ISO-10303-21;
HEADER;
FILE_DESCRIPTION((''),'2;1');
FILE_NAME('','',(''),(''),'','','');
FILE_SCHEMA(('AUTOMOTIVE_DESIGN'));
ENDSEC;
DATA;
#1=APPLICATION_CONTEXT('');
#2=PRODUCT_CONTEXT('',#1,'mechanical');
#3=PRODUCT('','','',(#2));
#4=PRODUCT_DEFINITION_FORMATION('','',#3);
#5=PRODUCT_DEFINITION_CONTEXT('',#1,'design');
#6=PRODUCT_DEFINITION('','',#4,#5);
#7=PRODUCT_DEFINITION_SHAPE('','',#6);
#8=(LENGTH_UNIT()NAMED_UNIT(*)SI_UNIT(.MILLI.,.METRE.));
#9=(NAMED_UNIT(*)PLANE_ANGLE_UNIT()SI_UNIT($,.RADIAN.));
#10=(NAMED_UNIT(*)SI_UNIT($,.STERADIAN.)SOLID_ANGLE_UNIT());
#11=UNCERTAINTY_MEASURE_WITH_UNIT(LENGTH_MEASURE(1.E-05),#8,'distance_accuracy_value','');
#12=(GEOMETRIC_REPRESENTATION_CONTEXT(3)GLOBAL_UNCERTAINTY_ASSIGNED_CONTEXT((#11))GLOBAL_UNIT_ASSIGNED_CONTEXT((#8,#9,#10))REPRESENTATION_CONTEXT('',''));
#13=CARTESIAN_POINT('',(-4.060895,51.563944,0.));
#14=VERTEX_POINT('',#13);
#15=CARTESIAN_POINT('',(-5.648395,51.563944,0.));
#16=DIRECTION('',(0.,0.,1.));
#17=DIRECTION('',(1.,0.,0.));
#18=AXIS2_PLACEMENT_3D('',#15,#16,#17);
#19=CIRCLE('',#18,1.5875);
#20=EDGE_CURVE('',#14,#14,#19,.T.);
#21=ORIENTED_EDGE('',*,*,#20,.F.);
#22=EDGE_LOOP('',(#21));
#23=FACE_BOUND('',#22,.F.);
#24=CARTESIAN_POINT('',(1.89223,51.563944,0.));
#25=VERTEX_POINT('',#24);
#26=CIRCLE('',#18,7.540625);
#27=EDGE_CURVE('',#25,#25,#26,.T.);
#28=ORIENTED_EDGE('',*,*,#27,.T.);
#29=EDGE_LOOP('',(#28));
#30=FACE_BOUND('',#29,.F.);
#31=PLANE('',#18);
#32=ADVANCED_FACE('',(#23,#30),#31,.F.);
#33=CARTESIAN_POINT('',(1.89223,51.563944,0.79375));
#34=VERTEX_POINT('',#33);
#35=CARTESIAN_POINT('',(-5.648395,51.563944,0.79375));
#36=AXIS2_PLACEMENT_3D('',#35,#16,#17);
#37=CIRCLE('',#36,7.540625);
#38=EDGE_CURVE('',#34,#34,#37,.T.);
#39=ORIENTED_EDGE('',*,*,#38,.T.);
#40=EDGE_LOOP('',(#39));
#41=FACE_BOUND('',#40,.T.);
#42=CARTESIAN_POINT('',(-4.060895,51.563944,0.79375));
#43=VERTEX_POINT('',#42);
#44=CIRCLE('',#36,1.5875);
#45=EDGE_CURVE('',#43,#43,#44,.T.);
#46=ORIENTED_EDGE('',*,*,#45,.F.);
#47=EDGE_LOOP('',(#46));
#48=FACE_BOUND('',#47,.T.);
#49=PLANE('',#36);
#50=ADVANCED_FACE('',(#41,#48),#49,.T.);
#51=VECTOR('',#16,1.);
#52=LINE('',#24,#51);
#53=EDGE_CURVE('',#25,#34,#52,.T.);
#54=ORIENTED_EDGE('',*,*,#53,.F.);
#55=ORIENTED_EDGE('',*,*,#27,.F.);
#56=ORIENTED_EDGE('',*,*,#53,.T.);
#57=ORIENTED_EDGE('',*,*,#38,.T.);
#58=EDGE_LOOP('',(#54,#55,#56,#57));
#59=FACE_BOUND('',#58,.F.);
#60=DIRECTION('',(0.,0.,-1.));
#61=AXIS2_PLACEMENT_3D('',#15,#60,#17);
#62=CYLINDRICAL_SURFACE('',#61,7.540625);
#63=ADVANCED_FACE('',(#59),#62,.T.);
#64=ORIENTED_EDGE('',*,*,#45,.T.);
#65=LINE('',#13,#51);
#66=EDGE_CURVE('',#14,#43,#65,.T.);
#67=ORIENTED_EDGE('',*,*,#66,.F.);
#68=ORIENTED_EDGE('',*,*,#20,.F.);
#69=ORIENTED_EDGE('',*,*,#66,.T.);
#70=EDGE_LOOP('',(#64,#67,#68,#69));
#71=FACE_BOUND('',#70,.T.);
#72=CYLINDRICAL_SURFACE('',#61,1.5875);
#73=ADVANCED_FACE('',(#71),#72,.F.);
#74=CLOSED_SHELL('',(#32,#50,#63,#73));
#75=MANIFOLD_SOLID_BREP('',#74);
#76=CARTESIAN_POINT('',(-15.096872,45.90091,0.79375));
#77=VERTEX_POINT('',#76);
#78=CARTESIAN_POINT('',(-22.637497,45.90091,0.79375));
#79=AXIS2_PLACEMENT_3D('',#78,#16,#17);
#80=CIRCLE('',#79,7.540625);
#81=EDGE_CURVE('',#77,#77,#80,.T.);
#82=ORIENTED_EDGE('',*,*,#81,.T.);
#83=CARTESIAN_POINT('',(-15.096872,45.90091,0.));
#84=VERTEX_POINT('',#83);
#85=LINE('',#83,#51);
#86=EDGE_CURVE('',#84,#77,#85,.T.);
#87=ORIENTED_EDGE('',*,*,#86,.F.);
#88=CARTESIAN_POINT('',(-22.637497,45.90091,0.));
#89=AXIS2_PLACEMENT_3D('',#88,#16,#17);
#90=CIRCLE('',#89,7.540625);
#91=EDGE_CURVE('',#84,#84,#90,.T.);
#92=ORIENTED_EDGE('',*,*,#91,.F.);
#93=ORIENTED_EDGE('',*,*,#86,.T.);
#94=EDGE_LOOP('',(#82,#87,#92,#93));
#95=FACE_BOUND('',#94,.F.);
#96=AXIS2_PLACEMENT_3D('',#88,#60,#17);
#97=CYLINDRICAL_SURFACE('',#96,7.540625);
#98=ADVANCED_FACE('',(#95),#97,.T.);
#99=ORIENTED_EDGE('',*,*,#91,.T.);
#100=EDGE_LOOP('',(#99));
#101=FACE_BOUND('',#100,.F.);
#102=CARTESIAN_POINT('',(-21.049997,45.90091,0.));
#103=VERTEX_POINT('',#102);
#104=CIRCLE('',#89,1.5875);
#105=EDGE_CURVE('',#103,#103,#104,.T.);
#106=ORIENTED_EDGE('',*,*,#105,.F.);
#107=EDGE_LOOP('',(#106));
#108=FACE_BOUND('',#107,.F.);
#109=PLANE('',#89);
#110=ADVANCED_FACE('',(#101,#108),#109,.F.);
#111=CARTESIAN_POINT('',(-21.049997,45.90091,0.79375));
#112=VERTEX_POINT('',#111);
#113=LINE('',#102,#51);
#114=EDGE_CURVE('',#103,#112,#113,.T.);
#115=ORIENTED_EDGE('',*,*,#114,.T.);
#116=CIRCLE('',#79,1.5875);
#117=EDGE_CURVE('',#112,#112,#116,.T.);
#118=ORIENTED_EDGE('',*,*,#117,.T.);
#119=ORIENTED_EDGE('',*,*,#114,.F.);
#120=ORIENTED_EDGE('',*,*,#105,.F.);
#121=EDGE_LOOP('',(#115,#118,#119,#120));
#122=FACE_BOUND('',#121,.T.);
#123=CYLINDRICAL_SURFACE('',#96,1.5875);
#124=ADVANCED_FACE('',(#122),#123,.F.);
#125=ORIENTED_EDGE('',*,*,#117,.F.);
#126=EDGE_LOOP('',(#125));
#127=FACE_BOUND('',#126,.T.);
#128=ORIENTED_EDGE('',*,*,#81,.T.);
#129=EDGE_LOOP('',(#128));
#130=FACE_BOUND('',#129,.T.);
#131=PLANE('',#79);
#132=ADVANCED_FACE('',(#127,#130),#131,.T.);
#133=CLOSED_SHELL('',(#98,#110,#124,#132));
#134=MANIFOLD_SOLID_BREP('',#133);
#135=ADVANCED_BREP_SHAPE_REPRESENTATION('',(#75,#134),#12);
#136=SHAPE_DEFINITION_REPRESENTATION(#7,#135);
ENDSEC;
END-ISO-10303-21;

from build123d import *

# Parameters (mm, degrees)
F0_R     = 7.540625
F0_R_2   = 1.5875
F1_DEPTH = 0.79375


with BuildPart() as f1:
    # F0 (on Top) → F1 (new body)
    with BuildSketch(Plane.XY):
        with Locations((-22.637497, 45.90091)):
            Circle(F0_R)
        with Locations((-22.637497, 45.90091)):
            Circle(F0_R_2, mode=Mode.SUBTRACT)
        with Locations((-5.648395, 51.563944)):
            Circle(F0_R)
        with Locations((-5.648395, 51.563944)):
            Circle(F0_R_2, mode=Mode.SUBTRACT)
    extrude(amount=F1_DEPTH)


solid = f1.part
